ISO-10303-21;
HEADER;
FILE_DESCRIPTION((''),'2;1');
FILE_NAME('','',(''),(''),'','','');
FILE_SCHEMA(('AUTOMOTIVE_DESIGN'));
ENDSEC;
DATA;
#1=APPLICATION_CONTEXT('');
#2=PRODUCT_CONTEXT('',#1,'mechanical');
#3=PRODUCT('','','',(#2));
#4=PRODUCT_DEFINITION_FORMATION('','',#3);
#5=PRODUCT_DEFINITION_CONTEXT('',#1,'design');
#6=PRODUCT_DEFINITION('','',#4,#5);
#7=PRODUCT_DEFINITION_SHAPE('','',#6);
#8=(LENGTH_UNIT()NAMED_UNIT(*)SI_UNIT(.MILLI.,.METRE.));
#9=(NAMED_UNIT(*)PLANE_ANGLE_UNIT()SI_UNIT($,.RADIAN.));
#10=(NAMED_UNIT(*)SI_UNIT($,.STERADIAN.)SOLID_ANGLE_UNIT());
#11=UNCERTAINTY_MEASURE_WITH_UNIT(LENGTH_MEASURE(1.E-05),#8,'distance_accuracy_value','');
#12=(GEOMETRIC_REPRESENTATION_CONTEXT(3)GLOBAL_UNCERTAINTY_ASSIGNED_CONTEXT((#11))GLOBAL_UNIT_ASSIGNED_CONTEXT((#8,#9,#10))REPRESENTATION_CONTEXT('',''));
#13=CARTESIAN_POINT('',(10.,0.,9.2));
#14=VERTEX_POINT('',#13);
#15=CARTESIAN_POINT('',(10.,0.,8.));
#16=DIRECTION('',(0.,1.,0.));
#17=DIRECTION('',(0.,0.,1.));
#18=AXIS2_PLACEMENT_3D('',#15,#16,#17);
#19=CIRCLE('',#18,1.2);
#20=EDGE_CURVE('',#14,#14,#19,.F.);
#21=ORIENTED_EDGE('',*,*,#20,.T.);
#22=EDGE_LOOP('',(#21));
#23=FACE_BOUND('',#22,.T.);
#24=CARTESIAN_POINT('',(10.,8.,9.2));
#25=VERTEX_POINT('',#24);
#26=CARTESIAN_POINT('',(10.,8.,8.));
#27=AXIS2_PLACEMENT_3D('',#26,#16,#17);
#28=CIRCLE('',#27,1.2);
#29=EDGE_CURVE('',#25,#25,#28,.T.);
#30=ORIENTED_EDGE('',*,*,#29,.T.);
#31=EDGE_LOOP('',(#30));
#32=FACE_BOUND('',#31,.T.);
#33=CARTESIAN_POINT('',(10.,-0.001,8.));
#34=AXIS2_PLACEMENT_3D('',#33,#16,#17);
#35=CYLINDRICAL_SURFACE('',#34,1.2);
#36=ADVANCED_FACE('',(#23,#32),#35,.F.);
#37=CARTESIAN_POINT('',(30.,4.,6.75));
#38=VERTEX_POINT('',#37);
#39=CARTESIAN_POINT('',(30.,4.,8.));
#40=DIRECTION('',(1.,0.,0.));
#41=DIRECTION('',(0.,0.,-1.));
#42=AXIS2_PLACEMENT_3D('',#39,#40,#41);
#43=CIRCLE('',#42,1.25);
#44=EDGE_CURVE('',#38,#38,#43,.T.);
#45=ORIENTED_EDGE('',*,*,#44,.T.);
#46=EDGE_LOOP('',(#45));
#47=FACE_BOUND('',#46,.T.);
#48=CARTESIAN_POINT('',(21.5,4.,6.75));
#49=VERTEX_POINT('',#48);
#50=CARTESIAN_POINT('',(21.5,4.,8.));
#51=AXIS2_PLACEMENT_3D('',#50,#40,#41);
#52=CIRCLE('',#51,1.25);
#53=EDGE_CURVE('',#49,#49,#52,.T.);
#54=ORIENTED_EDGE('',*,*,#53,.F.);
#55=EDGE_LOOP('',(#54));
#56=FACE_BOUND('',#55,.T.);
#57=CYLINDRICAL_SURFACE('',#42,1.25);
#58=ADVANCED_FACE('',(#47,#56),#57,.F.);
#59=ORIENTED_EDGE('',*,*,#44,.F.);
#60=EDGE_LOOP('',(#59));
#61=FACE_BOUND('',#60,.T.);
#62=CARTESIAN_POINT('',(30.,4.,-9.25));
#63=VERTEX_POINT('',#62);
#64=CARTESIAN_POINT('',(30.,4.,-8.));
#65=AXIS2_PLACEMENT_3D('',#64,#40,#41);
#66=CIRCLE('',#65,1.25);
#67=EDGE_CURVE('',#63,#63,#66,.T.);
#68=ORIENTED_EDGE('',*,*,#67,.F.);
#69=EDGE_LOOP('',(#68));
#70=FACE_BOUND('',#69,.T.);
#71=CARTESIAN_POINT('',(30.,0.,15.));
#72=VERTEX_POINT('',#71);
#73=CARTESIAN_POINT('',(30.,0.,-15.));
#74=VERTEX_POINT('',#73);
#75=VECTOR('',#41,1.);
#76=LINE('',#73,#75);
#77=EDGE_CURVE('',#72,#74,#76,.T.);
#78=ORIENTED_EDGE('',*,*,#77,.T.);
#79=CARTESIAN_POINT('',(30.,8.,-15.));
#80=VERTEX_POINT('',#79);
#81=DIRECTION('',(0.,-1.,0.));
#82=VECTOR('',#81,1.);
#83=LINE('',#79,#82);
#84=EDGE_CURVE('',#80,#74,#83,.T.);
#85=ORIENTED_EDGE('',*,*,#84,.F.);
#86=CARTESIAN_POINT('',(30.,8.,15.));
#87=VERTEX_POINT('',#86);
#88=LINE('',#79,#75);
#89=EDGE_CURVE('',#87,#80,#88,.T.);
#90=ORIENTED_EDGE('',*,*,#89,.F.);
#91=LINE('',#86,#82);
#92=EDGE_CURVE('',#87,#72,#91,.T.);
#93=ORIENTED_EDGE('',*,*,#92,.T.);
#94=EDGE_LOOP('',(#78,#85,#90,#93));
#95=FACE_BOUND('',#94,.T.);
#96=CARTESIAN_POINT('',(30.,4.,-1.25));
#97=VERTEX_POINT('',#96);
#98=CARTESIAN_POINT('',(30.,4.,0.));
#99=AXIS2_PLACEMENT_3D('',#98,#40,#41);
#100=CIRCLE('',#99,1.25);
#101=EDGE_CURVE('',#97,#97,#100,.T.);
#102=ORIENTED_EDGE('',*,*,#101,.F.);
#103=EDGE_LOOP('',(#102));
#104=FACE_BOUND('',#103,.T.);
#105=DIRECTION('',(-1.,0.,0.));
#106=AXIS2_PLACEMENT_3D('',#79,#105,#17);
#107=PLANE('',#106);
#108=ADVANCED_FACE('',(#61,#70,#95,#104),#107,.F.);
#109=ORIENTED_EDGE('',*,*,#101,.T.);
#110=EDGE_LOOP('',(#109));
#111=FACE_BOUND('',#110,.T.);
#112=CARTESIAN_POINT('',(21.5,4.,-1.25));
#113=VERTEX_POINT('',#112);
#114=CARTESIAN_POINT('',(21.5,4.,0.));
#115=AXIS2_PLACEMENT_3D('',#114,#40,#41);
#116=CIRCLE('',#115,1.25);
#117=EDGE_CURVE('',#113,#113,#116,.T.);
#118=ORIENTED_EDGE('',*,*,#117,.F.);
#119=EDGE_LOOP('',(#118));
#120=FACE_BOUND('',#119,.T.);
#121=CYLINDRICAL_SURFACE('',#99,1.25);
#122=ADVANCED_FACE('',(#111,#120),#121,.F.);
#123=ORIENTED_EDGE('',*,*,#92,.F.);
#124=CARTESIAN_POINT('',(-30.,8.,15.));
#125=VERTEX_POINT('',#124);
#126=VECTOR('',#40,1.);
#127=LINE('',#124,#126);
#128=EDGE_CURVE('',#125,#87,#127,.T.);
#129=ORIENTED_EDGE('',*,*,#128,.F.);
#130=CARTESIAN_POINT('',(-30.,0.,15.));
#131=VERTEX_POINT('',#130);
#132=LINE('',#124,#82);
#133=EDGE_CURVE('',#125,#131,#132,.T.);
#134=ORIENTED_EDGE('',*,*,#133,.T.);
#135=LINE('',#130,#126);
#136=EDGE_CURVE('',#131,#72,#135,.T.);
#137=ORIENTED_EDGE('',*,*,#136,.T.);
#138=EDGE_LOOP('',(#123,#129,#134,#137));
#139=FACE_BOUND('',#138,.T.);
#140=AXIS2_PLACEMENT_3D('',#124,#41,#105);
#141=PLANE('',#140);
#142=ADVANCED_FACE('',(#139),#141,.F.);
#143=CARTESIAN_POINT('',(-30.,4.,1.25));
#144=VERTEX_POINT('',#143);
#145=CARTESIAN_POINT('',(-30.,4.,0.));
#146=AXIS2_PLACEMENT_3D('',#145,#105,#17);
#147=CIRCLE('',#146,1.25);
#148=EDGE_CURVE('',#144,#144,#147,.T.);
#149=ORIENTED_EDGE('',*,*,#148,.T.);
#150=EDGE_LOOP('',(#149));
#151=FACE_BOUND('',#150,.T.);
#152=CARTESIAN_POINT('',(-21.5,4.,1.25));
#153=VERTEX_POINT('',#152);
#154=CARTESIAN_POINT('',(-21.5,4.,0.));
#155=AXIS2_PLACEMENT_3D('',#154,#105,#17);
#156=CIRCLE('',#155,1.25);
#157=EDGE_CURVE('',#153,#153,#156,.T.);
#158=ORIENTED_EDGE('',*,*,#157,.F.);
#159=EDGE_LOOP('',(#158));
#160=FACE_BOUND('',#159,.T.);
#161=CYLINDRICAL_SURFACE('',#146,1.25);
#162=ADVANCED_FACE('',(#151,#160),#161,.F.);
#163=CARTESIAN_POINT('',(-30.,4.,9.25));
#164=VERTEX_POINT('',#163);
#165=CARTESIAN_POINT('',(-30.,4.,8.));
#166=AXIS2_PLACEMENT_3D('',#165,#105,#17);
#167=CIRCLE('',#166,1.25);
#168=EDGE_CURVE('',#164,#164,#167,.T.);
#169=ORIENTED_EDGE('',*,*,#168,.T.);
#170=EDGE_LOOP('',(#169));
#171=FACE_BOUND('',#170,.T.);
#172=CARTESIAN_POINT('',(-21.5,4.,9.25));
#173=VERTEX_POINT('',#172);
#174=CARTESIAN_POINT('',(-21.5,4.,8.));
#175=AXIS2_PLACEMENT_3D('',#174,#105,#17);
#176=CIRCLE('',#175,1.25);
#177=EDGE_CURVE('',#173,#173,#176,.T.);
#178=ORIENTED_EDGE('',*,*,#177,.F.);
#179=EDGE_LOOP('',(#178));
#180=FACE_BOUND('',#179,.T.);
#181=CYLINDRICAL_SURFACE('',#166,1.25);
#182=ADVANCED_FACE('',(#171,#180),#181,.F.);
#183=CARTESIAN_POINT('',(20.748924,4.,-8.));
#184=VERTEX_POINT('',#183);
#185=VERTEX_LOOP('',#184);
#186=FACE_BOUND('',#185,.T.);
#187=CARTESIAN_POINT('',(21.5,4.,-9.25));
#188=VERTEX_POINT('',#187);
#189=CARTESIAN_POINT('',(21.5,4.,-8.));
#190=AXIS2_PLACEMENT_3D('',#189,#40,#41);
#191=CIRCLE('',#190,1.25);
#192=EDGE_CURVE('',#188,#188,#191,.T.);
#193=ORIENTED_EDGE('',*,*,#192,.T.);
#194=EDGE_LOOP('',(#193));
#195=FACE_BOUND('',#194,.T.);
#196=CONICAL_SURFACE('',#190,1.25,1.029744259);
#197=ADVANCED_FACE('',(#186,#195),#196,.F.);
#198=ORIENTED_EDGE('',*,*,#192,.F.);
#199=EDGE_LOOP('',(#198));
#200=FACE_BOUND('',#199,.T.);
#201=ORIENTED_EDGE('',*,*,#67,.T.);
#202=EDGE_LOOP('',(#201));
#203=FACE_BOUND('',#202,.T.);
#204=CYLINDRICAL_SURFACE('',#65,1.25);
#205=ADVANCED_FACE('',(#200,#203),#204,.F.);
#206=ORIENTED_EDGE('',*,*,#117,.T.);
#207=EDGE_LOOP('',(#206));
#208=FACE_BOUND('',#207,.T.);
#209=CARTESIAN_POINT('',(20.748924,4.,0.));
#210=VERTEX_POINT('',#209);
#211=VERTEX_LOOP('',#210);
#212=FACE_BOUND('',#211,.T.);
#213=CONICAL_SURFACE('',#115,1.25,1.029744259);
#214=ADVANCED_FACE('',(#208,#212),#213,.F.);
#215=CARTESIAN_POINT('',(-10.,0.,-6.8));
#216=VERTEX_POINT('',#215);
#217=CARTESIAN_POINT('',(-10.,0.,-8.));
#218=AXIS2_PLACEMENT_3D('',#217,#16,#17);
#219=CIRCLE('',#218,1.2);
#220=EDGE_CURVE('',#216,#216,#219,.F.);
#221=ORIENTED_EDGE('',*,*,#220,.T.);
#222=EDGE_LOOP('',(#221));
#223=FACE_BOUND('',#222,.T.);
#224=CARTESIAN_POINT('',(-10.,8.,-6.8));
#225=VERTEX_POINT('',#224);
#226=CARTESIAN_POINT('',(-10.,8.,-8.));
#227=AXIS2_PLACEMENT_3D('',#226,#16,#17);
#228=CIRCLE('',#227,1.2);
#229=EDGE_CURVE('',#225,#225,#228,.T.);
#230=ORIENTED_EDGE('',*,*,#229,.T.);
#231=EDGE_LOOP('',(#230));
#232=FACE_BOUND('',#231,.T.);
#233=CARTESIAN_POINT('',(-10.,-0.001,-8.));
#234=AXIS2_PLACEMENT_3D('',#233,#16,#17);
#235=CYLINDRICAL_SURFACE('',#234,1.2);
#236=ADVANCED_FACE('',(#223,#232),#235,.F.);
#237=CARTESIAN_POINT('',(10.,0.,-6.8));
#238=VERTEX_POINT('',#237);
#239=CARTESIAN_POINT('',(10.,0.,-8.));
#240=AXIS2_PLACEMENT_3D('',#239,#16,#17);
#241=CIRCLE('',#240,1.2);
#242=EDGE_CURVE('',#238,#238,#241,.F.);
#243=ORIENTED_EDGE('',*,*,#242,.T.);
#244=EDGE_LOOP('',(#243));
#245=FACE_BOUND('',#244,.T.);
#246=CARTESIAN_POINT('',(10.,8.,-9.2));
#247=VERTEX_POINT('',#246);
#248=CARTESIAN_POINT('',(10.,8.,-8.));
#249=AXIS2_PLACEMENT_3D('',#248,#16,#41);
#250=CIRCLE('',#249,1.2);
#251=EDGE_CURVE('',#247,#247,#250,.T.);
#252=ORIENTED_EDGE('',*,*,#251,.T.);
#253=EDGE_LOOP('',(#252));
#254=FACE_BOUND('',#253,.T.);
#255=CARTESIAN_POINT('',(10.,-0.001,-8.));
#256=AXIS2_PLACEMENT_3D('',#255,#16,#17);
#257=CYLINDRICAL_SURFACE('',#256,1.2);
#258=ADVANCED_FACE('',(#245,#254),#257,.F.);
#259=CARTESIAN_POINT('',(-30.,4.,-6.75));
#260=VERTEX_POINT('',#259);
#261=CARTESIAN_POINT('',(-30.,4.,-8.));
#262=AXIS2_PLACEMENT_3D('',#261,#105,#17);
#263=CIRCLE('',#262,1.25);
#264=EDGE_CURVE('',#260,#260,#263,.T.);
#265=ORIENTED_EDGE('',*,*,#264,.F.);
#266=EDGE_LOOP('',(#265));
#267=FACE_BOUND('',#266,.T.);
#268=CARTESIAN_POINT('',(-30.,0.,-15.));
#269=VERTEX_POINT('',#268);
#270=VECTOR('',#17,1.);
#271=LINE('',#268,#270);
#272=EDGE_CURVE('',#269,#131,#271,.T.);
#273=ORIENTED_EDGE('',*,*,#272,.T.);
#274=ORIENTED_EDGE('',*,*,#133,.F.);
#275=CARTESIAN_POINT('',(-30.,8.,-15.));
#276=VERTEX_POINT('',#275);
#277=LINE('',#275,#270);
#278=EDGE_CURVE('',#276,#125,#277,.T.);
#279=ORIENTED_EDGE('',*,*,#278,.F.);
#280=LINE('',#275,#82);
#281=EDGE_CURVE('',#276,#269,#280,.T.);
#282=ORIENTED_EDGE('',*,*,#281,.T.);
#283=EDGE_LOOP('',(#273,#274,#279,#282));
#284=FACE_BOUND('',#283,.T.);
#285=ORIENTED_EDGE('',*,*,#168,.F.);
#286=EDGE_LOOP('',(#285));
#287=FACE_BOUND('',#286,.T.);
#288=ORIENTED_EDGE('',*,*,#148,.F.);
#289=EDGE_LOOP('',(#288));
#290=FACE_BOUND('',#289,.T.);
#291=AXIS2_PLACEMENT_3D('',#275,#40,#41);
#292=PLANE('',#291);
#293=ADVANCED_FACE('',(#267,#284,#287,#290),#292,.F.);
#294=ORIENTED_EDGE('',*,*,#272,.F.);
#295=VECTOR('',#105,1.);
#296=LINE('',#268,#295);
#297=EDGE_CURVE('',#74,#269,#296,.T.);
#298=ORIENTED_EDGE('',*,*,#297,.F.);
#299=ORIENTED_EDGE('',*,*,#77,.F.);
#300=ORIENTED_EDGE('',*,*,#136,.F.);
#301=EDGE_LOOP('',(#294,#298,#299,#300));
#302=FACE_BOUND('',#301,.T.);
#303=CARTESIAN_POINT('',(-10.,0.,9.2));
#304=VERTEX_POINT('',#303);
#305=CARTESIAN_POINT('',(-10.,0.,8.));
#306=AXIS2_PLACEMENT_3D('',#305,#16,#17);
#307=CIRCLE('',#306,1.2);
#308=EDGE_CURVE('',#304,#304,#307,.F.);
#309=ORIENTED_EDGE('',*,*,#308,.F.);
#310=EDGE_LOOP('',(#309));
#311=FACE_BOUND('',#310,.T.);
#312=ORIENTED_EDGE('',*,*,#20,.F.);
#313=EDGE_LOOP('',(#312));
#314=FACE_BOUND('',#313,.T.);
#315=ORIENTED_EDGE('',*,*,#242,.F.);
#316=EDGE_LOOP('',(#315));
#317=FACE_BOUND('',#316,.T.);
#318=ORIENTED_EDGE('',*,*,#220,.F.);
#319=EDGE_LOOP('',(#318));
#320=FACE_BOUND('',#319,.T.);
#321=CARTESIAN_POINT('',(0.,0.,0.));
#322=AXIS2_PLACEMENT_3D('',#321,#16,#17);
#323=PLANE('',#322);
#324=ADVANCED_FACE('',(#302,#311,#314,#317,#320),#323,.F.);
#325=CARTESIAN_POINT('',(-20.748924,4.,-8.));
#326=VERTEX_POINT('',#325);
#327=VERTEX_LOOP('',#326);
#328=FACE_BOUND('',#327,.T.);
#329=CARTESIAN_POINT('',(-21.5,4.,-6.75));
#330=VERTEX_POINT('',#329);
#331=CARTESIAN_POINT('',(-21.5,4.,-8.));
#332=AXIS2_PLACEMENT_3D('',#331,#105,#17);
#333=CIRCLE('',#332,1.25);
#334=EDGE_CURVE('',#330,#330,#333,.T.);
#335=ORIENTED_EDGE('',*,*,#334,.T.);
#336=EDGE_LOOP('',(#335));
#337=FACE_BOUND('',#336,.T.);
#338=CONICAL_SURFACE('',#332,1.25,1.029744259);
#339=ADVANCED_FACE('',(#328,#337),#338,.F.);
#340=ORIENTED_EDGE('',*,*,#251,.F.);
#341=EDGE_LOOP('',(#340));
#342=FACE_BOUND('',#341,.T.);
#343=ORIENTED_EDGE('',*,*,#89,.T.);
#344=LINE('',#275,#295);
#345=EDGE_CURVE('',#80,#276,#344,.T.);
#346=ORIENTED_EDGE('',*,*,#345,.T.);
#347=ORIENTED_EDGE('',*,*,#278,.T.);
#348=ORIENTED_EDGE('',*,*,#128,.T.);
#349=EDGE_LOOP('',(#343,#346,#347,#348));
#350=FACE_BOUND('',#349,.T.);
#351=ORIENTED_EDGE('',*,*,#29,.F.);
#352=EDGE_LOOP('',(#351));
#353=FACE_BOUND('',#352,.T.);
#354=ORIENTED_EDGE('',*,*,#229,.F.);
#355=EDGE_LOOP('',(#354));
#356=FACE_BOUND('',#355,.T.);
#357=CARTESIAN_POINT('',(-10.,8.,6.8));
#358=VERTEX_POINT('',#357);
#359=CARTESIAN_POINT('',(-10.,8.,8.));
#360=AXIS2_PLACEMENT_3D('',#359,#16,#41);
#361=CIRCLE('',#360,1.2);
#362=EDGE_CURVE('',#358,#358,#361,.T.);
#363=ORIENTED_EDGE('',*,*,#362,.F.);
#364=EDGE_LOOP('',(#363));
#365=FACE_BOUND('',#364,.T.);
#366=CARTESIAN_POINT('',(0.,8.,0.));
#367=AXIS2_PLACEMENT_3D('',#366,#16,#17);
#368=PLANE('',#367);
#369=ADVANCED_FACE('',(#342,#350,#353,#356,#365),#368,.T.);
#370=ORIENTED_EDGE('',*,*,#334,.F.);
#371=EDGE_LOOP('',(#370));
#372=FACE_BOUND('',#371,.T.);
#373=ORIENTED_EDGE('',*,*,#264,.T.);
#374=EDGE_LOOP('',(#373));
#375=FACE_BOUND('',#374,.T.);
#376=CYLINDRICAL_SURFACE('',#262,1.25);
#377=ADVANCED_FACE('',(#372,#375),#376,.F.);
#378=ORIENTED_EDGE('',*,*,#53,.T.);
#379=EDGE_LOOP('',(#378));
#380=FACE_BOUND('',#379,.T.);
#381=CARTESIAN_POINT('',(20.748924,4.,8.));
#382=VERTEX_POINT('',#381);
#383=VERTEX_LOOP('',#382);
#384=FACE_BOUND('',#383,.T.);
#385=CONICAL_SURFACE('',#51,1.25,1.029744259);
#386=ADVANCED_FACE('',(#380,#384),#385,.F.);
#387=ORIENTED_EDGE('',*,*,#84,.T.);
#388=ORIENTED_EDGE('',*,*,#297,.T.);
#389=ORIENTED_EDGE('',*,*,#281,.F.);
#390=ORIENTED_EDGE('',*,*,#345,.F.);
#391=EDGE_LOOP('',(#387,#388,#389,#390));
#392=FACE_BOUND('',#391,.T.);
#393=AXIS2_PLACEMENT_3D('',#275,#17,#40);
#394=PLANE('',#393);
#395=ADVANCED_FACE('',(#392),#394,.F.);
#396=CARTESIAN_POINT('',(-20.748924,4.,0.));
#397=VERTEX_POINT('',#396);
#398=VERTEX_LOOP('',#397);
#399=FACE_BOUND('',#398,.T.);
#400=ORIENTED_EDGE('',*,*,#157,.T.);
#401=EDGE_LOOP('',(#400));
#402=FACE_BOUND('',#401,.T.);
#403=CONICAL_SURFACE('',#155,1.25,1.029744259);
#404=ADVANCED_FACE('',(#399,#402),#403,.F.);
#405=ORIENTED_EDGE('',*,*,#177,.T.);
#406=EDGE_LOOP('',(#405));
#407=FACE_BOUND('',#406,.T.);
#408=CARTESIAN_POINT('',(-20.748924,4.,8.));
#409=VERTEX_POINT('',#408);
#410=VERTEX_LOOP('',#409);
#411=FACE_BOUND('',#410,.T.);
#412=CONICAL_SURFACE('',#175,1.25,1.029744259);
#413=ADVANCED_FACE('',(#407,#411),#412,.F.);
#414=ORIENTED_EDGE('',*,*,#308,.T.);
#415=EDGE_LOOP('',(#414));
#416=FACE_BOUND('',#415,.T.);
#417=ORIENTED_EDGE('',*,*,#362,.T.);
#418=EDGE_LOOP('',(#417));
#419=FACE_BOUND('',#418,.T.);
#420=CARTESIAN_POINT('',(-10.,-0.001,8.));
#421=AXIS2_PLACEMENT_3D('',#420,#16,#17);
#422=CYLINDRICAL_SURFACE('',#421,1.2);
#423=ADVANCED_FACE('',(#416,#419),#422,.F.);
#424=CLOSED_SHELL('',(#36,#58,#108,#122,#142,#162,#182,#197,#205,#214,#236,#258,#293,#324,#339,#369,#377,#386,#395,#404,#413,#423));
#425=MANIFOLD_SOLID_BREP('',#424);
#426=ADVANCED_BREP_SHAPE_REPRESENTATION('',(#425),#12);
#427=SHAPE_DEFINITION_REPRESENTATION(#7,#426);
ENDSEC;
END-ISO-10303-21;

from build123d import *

# Parameters (mm, degrees)
SKETCH_1_W             = 60
SKETCH_1_H             = 30
EXTRUDE_1_DEPTH        = 8
CUT_EXTRUDE_1_REACH    = 10
SKETCH_2_R             = 1.2
HOLE_WIZARD_M3_1_D     = 2.5
HOLE_WIZARD_M3_1_DEPTH = 8.5
HOLE_WIZARD_M3_1_TIP   = 0.751075774
HOLE_WIZARD_M3_2_D     = 2.5
HOLE_WIZARD_M3_2_DEPTH = 8.5
HOLE_WIZARD_M3_2_TIP   = 0.751075774


with BuildPart() as part:
    # 스케치1 → 보스-돌출1 (new body)
    with BuildSketch(Plane(origin=(0, 0, 0), x_dir=(1, 0, 0), z_dir=(0, 1, 0))):
        Rectangle(SKETCH_1_W, SKETCH_1_H)
    extrude(amount=EXTRUDE_1_DEPTH)

    # 스케치2 → 컷-돌출1 (cut, up to next)
    with BuildSketch(Plane(origin=(0, 8, 0), x_dir=(1, 0, 0), z_dir=(0, 1, 0)), mode=Mode.PRIVATE) as cut_extrude_1_sk1:
        with Locations((-10, 8)):
            Circle(SKETCH_2_R)
    cut_extrude_1_tool1 = extrude(cut_extrude_1_sk1.sketch, amount=-CUT_EXTRUDE_1_REACH, mode=Mode.PRIVATE) & part.part
    add(cut_extrude_1_tool1.solids().sort_by_distance((-10, 8, -8))[0], mode=Mode.SUBTRACT)
    # 스케치2 → 컷-돌출1 (cut, up to next)
    with BuildSketch(Plane(origin=(0, 8, 0), x_dir=(1, 0, 0), z_dir=(0, 1, 0)), mode=Mode.PRIVATE) as cut_extrude_1_sk2:
        with Locations((10, 8)):
            Circle(SKETCH_2_R)
    cut_extrude_1_tool2 = extrude(cut_extrude_1_sk2.sketch, amount=-CUT_EXTRUDE_1_REACH, mode=Mode.PRIVATE) & part.part
    add(cut_extrude_1_tool2.solids().sort_by_distance((10, 8, -8))[0], mode=Mode.SUBTRACT)
    # 스케치2 → 컷-돌출1 (cut, up to next)
    with BuildSketch(Plane(origin=(0, 8, 0), x_dir=(1, 0, 0), z_dir=(0, 1, 0)), mode=Mode.PRIVATE) as cut_extrude_1_sk3:
        with Locations((10, -8)):
            Circle(SKETCH_2_R)
    cut_extrude_1_tool3 = extrude(cut_extrude_1_sk3.sketch, amount=-CUT_EXTRUDE_1_REACH, mode=Mode.PRIVATE) & part.part
    add(cut_extrude_1_tool3.solids().sort_by_distance((10, 8, 8))[0], mode=Mode.SUBTRACT)
    # 스케치2 → 컷-돌출1 (cut, up to next)
    with BuildSketch(Plane(origin=(0, 8, 0), x_dir=(1, 0, 0), z_dir=(0, 1, 0)), mode=Mode.PRIVATE) as cut_extrude_1_sk4:
        with Locations((-10, -8)):
            Circle(SKETCH_2_R)
    cut_extrude_1_tool4 = extrude(cut_extrude_1_sk4.sketch, amount=-CUT_EXTRUDE_1_REACH, mode=Mode.PRIVATE) & part.part
    add(cut_extrude_1_tool4.solids().sort_by_distance((-10, 8, 8))[0], mode=Mode.SUBTRACT)

    # M3 나사 구멍1
    with Locations(Plane.ZY.offset(30)):
        with Locations((-8, 4), (0, 4), (8, 4)):
            Hole(HOLE_WIZARD_M3_1_D / 2, depth=HOLE_WIZARD_M3_1_DEPTH)
            with Locations((0, 0, -(HOLE_WIZARD_M3_1_DEPTH + HOLE_WIZARD_M3_1_TIP / 2))):  # 118° drill point
                Cone(0, HOLE_WIZARD_M3_1_D / 2, HOLE_WIZARD_M3_1_TIP, mode=Mode.SUBTRACT)

    # M3 나사 구멍2
    with Locations(Plane(origin=(30, 0, 0), x_dir=(0, 0, -1), z_dir=(1, 0, 0))):
        with Locations((-8, 4), (0, 4), (8, 4)):
            Hole(HOLE_WIZARD_M3_2_D / 2, depth=HOLE_WIZARD_M3_2_DEPTH)
            with Locations((0, 0, -(HOLE_WIZARD_M3_2_DEPTH + HOLE_WIZARD_M3_2_TIP / 2))):  # 118° drill point
                Cone(0, HOLE_WIZARD_M3_2_D / 2, HOLE_WIZARD_M3_2_TIP, mode=Mode.SUBTRACT)


solid = part.part
